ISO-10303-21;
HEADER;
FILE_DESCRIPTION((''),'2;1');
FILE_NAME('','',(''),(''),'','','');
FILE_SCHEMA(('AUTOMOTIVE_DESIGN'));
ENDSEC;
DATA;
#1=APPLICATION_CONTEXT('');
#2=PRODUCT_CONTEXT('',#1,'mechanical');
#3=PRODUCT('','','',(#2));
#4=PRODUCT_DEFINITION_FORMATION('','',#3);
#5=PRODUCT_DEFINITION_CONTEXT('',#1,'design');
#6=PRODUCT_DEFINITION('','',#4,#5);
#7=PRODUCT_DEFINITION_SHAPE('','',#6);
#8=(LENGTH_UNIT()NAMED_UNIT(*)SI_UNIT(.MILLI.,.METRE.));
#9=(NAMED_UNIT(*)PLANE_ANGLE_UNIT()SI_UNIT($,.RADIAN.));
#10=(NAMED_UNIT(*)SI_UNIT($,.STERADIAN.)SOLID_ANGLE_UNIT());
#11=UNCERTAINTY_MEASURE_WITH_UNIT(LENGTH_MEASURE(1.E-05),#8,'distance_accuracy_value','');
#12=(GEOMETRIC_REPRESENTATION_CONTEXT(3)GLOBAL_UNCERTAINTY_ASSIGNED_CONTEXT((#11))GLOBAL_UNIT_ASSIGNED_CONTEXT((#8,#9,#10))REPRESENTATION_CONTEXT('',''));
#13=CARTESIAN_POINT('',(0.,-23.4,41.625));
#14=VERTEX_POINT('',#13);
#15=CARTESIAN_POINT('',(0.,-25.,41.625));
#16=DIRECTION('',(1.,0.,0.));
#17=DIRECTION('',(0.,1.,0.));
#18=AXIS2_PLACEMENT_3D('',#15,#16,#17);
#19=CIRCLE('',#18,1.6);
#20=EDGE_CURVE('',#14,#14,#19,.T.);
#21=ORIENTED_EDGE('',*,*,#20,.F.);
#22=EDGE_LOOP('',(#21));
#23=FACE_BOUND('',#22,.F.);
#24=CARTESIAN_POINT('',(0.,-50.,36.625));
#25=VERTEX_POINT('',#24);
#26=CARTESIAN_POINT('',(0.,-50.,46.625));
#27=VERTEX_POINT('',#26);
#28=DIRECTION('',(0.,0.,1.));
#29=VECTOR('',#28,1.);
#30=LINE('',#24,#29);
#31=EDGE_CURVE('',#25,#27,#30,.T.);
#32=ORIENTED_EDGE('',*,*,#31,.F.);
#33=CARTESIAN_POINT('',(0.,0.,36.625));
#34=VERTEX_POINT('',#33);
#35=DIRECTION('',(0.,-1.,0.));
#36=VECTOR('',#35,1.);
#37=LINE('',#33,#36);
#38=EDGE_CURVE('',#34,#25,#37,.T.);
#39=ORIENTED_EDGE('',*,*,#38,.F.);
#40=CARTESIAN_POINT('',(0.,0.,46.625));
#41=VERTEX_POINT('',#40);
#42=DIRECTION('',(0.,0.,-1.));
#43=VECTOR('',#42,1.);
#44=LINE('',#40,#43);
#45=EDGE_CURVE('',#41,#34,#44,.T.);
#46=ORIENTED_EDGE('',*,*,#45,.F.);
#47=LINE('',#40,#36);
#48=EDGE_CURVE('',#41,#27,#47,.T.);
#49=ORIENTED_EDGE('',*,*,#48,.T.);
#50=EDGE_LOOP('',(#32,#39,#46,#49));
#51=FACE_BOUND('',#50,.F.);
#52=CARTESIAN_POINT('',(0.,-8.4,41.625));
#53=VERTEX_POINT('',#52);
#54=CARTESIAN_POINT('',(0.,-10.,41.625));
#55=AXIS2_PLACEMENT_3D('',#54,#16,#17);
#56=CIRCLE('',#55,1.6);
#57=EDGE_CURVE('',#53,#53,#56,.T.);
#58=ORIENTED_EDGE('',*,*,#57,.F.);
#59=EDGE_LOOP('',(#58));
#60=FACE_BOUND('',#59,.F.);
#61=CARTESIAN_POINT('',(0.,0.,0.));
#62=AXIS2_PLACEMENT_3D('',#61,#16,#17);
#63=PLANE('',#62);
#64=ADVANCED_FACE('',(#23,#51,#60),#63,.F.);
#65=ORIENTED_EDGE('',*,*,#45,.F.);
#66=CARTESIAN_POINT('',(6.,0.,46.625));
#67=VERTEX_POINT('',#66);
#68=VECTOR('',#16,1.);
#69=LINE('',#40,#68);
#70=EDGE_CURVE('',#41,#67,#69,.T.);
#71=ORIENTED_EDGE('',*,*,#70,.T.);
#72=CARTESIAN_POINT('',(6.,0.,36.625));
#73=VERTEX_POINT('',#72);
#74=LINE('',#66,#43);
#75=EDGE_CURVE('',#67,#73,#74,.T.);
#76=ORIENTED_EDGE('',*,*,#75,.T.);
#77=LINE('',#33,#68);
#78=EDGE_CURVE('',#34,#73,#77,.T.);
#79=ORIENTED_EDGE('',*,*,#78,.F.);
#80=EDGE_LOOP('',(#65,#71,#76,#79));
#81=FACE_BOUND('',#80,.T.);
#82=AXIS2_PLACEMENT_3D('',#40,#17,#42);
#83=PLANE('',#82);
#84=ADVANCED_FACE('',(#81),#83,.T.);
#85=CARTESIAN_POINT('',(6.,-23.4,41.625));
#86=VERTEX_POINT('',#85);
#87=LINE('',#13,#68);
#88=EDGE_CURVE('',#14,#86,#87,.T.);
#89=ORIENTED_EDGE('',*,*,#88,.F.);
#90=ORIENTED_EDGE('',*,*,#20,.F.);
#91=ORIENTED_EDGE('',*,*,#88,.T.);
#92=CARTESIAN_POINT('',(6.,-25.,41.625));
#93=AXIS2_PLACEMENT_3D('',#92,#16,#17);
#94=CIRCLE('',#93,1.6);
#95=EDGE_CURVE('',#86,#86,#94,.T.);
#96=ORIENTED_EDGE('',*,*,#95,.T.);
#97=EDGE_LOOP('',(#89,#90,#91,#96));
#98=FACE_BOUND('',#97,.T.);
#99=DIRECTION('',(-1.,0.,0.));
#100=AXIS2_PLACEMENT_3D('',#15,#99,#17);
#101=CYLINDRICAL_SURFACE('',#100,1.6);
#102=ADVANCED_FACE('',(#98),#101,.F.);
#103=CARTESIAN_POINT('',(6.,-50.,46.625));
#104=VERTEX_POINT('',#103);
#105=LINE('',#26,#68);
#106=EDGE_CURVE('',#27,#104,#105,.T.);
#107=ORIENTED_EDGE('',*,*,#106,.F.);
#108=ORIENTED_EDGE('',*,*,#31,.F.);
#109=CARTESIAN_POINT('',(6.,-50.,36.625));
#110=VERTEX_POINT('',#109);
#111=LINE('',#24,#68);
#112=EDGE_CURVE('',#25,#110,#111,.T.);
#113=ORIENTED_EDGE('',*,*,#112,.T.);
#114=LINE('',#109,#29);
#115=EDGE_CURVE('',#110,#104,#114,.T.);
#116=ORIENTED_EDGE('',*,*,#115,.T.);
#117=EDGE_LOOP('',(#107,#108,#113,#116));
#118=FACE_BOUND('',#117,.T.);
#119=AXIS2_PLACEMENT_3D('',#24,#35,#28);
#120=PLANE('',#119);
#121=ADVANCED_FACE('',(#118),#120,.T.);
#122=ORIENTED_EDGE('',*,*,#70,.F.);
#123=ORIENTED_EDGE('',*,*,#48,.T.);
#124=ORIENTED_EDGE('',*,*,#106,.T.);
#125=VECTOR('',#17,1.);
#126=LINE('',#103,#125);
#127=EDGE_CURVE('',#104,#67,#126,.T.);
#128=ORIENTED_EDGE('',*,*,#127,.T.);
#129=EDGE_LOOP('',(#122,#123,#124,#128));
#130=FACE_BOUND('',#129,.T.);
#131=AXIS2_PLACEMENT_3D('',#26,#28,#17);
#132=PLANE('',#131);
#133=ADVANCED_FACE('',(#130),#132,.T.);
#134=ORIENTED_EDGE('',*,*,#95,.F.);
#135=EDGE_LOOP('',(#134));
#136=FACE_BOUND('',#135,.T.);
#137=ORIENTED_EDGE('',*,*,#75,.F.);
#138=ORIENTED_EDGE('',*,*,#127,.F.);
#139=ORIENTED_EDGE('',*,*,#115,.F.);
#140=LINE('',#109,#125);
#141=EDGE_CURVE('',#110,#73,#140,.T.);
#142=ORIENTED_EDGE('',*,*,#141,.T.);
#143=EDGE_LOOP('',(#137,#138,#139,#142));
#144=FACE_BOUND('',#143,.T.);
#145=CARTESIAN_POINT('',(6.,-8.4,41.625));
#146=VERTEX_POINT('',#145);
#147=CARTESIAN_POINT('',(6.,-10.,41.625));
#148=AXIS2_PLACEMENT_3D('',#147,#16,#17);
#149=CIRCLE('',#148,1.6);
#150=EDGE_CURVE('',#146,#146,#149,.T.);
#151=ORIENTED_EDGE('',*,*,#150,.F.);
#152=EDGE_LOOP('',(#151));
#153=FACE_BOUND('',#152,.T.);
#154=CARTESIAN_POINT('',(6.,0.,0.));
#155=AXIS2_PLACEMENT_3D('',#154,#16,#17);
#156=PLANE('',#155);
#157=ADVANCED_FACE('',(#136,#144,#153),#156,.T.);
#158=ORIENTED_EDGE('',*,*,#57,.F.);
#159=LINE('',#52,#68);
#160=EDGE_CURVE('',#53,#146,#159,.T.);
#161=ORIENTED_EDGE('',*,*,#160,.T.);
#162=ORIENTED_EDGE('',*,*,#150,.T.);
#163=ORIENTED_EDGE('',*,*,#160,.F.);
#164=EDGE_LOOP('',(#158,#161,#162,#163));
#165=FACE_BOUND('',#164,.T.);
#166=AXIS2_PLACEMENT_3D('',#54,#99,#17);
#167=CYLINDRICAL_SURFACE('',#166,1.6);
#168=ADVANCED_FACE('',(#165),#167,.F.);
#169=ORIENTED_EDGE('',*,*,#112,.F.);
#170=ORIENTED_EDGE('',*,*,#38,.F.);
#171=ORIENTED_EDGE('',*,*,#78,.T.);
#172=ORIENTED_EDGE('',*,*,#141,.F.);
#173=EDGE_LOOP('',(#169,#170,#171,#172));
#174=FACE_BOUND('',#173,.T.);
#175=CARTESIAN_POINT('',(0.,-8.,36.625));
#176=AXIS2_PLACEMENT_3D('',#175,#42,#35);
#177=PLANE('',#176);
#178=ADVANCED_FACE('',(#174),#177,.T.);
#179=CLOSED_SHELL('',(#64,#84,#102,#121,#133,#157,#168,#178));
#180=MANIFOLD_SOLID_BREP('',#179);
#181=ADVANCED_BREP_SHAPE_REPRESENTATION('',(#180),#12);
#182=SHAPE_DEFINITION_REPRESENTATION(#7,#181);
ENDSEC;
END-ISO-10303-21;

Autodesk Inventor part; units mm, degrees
ref_plane "YZ Plane" through (0, 0, 0) normal (1, 0, 0) x (0, 1, 0)
ref_plane "XZ Plane" through (0, 0, 0) normal (0, 1, 0) x (-1, 0, 0)
ref_plane "XY Plane" through (0, 0, 0) normal (0, 0, 1) x (1, 0, 0)
sketch "スケッチ2" plane through (0, 0, 0) normal (1, 0, 0) x (0, 1, 0)
  line L0 (-50, 46.625) -> (0, 46.625)
  line L1 (0, 46.625) -> (0, 36.625)
  line L2 (0, 36.625) -> (-50, 36.625)
  line L3 (-50, 36.625) -> (-50, 46.625)
  line L4 (0, 36.625) -> (-8, 36.625)
  line L5 (-8, 36.625) -> (-8, 0)
  line L6 (-8, 0) -> (0, 0)
  line L7 (0, 0) -> (0, 36.625)
  circle A0 centre (-10, 41.625) radius 1.6
  circle A1 centre (-25, 41.625) radius 1.6
  line L8 (-8, 36.625) -> (0, 36.625)
  line L9 (0, 36.625) -> (0, 54)
  line L10 (0, 54) -> (-8, 54)
  line L11 (-8, 54) -> (-8, 36.625)
  dimension "d7" = 50
  dimension "d8" = 10
  dimension "d10" = 8
  dimension "d11" = 3.2
  dimension "d12" = 3.2
  dimension "d13" = 15
  dimension "d14" = 10
  dimension "d15" = 5
  dimension "d16" = 5
  dimension "d27" = 54
  dimension "d28" = 7.375
extrude "押し出し2" add sketch "スケッチ2" along normal blind 6 contours L0 L11 L2 L3 | L0 L1 L2 L11
